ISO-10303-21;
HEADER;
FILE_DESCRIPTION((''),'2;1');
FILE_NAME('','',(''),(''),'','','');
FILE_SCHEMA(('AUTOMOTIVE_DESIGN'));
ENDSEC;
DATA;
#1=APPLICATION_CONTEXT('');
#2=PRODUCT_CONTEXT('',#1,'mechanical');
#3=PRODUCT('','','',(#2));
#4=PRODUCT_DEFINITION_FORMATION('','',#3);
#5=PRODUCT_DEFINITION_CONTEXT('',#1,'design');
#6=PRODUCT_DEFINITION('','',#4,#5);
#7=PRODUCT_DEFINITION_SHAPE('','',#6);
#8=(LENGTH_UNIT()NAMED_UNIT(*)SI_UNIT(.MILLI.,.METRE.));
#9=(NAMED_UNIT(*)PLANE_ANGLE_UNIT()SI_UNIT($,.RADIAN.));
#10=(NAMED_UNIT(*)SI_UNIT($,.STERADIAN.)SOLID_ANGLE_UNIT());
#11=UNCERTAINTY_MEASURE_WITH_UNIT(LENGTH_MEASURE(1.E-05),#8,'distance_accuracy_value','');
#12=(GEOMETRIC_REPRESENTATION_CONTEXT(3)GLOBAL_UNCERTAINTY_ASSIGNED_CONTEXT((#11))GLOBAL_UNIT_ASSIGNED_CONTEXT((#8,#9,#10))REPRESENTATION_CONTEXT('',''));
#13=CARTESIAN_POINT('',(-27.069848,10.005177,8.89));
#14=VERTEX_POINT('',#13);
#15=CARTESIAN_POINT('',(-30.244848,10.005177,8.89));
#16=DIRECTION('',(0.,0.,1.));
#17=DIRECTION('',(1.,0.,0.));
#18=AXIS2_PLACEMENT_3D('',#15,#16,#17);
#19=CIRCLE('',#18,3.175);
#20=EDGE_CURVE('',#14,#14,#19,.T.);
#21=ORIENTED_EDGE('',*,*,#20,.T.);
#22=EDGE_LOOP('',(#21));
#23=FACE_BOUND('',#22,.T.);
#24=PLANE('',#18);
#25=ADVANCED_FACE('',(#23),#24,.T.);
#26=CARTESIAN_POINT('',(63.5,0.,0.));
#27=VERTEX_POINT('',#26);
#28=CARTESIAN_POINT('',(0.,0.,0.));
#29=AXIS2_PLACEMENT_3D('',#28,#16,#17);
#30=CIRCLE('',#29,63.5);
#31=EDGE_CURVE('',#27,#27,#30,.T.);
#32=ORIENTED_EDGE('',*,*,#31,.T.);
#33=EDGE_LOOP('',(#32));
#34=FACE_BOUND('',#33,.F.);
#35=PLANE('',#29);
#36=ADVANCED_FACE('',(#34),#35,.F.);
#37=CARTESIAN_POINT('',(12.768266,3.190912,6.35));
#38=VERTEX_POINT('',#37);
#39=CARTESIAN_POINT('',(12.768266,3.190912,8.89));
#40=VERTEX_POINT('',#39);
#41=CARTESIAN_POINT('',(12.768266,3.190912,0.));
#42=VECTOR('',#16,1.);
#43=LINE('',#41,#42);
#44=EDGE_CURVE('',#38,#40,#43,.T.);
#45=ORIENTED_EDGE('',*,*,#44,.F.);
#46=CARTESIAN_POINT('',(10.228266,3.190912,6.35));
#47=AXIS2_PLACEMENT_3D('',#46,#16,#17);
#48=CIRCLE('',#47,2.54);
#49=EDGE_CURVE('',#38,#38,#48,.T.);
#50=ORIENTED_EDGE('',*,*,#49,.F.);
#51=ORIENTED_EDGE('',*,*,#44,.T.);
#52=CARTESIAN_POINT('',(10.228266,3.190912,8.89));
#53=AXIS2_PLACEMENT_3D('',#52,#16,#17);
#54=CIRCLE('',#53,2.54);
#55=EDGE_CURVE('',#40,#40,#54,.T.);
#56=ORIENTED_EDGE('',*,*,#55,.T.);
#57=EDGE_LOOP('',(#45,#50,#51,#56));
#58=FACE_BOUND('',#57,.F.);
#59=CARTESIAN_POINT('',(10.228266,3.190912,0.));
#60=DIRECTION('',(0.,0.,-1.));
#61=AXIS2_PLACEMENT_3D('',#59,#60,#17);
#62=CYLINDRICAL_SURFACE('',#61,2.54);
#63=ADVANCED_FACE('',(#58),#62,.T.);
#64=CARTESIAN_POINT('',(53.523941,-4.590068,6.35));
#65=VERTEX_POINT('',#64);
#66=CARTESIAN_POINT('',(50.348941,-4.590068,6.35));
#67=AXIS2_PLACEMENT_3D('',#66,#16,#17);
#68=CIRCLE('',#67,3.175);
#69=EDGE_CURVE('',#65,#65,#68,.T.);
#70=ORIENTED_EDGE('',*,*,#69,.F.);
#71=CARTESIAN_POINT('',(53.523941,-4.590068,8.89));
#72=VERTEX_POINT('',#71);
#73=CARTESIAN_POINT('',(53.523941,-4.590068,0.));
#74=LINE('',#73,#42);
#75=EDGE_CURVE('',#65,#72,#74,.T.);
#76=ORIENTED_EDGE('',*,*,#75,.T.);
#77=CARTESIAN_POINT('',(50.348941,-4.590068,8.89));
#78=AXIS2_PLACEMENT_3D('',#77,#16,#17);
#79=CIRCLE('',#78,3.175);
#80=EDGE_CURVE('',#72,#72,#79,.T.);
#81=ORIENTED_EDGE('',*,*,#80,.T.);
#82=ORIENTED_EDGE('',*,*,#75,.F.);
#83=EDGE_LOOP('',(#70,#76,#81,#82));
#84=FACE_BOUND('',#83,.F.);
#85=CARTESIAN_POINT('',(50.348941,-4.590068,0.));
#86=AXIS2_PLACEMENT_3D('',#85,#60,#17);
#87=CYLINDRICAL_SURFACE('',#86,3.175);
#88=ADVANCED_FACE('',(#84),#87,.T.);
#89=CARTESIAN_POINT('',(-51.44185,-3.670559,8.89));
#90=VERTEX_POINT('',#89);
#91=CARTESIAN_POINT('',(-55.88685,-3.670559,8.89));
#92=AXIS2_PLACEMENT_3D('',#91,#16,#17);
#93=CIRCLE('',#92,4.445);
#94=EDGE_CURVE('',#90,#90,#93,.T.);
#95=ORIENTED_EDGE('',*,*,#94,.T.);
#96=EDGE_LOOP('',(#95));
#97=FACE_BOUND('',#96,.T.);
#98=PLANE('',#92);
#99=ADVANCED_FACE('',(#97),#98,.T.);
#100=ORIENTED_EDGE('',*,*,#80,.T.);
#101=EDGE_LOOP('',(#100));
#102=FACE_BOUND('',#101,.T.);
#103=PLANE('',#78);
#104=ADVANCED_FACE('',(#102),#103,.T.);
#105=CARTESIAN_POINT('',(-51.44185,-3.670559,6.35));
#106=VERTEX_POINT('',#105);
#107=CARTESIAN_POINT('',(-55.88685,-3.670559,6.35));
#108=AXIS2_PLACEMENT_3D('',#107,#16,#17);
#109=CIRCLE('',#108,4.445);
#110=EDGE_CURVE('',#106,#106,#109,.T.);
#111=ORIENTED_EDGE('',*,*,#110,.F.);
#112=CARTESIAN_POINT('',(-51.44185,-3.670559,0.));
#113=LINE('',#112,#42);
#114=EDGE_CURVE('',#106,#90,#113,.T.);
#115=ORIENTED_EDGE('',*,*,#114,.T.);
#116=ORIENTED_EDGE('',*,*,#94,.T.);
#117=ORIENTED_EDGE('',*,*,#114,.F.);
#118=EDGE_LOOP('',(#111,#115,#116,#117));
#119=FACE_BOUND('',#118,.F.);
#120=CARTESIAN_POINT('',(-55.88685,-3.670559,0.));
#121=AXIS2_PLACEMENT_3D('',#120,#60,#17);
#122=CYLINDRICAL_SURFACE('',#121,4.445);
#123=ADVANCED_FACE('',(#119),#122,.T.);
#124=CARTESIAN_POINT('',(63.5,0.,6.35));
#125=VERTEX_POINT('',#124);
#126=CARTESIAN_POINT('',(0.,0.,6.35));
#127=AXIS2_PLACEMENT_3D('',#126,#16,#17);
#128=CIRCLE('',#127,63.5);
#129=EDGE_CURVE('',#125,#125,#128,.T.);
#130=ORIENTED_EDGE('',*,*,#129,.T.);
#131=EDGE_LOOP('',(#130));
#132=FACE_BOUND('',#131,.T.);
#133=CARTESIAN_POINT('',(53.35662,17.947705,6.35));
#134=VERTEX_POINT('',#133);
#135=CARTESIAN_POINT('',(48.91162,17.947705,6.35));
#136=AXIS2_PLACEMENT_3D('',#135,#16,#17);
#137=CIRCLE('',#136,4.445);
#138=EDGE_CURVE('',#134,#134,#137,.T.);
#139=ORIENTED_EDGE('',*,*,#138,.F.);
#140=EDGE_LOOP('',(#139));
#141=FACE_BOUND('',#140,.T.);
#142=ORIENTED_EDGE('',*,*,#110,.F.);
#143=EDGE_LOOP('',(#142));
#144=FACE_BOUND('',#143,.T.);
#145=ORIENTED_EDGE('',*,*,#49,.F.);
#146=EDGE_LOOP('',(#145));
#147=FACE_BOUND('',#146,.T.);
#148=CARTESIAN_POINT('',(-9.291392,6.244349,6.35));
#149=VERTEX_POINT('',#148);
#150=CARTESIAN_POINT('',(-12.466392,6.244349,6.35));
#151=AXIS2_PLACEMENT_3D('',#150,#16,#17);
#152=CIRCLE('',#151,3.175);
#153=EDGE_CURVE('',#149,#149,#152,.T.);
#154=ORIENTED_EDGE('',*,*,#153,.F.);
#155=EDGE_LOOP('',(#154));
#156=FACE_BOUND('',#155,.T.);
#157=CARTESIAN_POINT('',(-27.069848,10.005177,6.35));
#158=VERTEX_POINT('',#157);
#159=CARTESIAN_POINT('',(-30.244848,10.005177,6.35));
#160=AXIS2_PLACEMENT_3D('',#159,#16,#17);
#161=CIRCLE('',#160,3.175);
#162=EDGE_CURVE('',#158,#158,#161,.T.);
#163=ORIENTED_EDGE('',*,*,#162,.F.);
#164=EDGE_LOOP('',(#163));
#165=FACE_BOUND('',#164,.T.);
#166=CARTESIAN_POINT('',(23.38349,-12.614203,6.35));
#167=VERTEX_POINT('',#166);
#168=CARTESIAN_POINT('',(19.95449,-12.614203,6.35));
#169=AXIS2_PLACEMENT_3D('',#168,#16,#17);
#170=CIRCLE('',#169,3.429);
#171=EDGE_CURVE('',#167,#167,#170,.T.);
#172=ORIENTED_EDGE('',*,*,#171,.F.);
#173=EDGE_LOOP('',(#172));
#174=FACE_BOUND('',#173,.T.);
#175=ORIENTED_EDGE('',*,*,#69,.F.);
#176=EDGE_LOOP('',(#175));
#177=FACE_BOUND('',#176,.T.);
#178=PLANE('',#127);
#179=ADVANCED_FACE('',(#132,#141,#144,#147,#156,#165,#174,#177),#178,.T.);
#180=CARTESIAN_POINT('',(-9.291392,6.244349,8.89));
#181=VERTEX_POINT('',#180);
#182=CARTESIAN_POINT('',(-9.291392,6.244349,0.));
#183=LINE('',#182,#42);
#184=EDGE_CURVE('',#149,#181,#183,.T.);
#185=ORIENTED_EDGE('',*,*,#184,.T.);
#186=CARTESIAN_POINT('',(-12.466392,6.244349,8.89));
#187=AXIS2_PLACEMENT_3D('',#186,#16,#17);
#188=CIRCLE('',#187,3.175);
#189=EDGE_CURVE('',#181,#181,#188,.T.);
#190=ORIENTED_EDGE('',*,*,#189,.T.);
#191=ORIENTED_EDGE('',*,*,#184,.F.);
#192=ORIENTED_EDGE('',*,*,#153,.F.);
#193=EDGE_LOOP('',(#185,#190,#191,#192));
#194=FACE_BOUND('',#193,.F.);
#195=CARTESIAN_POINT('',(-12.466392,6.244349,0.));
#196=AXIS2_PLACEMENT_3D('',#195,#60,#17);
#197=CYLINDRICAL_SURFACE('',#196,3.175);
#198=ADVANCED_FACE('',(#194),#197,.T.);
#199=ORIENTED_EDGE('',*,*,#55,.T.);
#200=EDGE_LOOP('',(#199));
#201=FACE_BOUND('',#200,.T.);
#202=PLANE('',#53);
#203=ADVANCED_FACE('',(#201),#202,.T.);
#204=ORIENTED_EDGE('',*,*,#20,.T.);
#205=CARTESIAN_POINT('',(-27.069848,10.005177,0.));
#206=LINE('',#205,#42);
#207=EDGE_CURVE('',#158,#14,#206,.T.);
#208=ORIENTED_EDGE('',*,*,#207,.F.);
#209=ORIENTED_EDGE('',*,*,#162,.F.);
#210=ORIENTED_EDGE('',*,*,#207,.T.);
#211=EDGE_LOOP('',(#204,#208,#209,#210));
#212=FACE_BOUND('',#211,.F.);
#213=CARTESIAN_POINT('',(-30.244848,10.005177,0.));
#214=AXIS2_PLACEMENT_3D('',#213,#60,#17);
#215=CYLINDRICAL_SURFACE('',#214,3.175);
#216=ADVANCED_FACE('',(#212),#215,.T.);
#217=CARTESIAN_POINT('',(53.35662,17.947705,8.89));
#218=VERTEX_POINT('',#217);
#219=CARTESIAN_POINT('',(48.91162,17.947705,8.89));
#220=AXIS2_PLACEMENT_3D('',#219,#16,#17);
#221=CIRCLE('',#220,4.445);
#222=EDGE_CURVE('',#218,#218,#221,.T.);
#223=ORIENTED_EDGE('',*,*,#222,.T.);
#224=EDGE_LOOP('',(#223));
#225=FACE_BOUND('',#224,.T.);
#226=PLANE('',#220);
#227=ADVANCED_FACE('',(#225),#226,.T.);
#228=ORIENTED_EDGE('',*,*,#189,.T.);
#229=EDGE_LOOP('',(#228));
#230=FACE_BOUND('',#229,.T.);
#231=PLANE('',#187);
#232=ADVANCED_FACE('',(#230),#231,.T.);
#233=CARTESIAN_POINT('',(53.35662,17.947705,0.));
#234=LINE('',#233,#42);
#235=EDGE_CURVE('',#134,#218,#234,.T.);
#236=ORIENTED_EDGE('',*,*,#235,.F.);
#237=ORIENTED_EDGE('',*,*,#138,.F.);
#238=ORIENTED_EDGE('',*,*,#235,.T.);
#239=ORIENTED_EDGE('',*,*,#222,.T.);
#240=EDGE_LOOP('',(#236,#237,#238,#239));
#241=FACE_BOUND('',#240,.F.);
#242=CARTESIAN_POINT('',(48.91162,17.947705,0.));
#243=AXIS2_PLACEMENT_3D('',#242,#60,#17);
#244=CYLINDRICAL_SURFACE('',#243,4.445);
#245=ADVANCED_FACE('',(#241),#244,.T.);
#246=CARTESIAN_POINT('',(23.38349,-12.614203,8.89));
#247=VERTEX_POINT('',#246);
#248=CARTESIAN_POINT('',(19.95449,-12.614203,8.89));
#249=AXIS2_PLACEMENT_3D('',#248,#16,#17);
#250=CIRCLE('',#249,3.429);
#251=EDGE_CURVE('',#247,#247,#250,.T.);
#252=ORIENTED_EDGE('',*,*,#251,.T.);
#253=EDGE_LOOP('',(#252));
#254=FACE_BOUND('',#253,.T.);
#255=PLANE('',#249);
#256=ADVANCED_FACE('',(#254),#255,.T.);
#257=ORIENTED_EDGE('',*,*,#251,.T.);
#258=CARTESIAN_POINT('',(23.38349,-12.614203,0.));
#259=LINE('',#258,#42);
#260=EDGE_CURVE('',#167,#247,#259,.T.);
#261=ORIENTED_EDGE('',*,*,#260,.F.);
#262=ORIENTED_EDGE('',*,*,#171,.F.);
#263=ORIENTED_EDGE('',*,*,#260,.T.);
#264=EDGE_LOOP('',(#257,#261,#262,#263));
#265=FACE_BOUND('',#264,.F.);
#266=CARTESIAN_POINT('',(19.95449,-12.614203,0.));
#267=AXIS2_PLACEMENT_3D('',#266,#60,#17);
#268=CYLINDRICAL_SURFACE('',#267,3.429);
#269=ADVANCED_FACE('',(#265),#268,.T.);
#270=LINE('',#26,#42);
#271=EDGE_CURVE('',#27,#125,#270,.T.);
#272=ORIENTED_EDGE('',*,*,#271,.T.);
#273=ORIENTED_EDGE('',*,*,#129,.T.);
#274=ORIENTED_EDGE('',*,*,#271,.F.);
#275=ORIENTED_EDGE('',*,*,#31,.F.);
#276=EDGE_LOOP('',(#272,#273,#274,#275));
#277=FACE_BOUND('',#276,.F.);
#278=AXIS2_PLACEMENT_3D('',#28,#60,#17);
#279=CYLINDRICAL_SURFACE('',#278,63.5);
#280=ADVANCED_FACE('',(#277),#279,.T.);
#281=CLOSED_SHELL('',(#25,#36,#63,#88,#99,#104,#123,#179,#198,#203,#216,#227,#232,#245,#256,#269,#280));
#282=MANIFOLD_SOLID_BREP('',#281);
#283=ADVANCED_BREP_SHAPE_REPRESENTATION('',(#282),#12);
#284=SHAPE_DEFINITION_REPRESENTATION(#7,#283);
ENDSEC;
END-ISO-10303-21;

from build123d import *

# Parameters (mm, degrees)
F0_R     = 63.5
F0_R_2   = 4.445
F0_R_3   = 3.429
F0_R_4   = 3.175
F0_R_5   = 2.54
F1_DEPTH = 6.35
F2_DEPTH = 8.89


with BuildPart() as f1:
    # F0 (on Top) → F1 (new body)
    with BuildSketch(Plane.XY):
        Circle(F0_R)
        with Locations((-55.88685, -3.670559)):
            Circle(F0_R_2, mode=Mode.SUBTRACT)
        with Locations((19.95449, -12.614203)):
            Circle(F0_R_3, mode=Mode.SUBTRACT)
        with Locations((50.348941, -4.590068)):
            Circle(F0_R_4, mode=Mode.SUBTRACT)
        with Locations((-30.244848, 10.005177)):
            Circle(F0_R_4, mode=Mode.SUBTRACT)
        with Locations((-12.466392, 6.244349)):
            Circle(F0_R_4, mode=Mode.SUBTRACT)
        with Locations((10.228266, 3.190912)):
            Circle(F0_R_5, mode=Mode.SUBTRACT)
        with Locations((48.91162, 17.947705)):
            Circle(F0_R_2, mode=Mode.SUBTRACT)
    extrude(amount=F1_DEPTH)

    # F0 (on Top) → F2 (join)
    with BuildSketch(Plane.XY):
        with Locations((-55.88685, -3.670559)):
            Circle(F0_R_2)
        with Locations((-30.244848, 10.005177)):
            Circle(F0_R_4)
        with Locations((-12.466392, 6.244349)):
            Circle(F0_R_4)
        with Locations((10.228266, 3.190912)):
            Circle(F0_R_5)
        with Locations((48.91162, 17.947705)):
            Circle(F0_R_2)
        with Locations((50.348941, -4.590068)):
            Circle(F0_R_4)
        with Locations((19.95449, -12.614203)):
            Circle(F0_R_3)
    extrude(amount=F2_DEPTH)


solid = f1.part
